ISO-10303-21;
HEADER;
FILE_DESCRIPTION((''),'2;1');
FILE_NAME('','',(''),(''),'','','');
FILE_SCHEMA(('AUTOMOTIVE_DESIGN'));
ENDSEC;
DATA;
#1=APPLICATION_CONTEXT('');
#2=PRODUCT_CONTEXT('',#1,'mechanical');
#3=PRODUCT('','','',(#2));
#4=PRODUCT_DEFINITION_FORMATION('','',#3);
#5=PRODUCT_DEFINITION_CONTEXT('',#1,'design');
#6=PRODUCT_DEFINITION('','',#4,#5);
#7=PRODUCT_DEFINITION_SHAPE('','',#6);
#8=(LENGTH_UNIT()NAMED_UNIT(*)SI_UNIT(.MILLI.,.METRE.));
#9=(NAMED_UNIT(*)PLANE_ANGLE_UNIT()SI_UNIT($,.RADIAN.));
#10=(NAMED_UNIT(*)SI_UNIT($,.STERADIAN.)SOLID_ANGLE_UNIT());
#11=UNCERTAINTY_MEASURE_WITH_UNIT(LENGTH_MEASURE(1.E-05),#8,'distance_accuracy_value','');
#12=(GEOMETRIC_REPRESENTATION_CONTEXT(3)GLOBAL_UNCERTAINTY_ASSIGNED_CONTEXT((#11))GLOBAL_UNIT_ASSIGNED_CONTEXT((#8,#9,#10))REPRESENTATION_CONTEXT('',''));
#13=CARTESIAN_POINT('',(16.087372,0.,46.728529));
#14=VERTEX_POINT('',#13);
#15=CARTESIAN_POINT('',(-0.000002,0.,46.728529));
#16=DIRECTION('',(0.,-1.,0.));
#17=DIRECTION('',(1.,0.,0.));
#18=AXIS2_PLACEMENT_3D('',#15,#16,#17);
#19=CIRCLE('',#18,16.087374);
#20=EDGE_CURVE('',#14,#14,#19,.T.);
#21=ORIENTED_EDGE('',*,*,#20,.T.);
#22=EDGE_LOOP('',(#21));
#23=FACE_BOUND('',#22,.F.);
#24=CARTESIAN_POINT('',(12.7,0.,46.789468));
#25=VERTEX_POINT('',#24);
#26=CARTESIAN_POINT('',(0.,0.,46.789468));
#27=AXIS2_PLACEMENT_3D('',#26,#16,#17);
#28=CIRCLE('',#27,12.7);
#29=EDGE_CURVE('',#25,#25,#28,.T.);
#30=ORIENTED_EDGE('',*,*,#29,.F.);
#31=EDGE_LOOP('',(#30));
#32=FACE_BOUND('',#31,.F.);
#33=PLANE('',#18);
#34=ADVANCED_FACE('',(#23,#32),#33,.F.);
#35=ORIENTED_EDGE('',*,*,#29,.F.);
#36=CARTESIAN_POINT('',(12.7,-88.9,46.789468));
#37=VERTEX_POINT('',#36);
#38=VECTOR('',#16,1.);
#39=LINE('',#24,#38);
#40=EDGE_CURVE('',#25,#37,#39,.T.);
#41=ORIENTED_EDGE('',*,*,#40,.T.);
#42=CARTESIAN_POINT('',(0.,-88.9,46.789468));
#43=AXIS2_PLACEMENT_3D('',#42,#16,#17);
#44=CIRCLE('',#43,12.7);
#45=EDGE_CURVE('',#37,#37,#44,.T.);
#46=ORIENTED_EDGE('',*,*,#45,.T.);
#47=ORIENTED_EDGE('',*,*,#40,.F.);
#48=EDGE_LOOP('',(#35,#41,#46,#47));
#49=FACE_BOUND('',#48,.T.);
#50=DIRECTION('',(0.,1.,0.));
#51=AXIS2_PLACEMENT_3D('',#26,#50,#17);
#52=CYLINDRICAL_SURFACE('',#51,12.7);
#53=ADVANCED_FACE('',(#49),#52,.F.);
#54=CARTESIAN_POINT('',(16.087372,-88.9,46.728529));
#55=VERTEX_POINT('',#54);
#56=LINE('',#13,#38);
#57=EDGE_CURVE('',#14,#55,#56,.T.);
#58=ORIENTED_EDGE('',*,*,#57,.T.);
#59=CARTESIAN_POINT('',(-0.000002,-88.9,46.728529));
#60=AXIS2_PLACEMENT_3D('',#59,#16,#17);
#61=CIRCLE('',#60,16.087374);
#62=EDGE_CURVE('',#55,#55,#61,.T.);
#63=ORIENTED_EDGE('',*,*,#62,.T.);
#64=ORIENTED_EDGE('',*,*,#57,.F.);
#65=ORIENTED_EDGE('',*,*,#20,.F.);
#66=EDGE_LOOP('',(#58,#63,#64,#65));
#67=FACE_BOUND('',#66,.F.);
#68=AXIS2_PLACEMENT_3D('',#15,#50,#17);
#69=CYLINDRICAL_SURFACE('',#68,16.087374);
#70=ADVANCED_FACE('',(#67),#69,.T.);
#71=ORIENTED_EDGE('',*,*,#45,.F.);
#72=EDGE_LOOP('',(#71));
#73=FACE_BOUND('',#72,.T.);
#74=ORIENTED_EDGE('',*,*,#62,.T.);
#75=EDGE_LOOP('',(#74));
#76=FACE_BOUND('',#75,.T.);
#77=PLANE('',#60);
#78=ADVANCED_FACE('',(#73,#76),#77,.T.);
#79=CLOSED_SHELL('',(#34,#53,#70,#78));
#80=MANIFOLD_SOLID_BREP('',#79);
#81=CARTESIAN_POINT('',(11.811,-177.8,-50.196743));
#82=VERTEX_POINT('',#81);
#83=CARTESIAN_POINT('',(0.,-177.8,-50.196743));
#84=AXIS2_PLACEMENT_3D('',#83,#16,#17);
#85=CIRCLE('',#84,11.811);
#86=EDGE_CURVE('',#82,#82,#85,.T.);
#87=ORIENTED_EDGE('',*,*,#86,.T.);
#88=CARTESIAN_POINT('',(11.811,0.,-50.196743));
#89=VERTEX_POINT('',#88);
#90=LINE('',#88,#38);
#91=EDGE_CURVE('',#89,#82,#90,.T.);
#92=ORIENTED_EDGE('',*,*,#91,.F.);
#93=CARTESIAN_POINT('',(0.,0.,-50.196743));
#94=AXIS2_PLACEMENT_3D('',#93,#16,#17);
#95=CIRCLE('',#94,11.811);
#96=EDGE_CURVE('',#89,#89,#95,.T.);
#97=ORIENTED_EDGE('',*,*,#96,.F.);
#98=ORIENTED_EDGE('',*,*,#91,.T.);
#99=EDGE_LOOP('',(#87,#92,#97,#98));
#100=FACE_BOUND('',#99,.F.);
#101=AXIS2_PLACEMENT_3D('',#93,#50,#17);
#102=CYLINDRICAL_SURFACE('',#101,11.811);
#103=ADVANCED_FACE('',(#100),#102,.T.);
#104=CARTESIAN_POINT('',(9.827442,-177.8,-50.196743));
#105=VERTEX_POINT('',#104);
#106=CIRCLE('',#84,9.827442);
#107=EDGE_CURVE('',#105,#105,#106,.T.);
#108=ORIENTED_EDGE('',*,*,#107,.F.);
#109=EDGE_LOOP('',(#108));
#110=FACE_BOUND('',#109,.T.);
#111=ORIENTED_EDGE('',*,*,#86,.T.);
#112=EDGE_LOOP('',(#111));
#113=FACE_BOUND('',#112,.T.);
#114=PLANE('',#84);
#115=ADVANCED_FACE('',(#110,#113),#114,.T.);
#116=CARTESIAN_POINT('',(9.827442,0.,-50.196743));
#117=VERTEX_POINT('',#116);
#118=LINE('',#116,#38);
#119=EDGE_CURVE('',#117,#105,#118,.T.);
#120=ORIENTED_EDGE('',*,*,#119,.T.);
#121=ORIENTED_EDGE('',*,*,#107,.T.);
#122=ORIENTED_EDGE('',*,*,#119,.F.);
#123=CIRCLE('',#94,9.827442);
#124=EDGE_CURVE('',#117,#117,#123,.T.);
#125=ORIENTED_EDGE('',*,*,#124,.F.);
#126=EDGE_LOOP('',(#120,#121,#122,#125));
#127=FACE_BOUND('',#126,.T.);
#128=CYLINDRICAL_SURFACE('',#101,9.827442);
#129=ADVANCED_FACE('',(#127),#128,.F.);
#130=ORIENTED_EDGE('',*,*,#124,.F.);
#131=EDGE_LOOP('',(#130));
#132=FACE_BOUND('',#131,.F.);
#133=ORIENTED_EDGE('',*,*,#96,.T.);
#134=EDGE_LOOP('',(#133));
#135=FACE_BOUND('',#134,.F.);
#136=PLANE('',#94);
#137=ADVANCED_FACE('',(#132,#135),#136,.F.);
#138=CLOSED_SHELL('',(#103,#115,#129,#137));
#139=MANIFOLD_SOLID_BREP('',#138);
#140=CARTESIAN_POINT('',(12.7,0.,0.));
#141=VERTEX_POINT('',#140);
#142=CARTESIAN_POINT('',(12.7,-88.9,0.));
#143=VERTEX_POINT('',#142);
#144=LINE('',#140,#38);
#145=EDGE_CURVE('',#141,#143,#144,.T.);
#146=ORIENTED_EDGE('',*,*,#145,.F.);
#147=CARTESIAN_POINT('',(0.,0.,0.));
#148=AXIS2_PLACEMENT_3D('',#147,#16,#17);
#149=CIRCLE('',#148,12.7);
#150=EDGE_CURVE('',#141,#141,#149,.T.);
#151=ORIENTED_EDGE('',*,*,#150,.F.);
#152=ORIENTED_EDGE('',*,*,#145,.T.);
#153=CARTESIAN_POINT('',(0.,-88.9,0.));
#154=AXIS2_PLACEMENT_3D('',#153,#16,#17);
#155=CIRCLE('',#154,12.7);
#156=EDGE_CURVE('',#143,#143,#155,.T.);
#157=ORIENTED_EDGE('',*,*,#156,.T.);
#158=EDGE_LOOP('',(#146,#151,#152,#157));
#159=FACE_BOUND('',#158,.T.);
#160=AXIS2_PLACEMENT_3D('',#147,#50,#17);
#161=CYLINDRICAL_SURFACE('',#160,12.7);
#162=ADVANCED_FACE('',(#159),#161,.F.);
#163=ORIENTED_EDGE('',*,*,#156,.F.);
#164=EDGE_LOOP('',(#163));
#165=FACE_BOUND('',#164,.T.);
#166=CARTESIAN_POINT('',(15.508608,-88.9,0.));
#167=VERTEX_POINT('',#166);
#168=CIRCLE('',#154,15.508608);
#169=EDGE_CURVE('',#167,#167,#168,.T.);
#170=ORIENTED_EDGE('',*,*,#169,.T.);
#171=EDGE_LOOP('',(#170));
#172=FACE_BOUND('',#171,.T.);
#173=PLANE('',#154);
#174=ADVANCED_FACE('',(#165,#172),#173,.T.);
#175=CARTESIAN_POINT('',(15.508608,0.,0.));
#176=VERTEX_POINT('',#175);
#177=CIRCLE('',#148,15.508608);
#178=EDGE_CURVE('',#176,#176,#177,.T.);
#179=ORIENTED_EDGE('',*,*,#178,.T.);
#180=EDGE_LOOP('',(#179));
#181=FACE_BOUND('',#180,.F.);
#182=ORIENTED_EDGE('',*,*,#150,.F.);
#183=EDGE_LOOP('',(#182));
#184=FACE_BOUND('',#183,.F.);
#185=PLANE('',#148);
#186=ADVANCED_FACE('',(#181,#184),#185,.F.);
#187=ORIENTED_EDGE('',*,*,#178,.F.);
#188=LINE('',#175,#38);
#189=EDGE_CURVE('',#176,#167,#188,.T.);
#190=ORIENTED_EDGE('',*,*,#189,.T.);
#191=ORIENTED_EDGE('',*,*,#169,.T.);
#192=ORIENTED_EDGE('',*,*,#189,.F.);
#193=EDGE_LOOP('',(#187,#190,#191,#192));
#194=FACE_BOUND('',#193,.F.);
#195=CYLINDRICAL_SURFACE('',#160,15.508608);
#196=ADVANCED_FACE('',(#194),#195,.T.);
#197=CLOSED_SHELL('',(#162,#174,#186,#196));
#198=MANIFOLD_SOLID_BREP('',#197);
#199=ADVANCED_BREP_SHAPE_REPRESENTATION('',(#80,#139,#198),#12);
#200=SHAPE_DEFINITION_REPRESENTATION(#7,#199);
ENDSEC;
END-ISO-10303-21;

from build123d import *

# Parameters (mm, degrees)
F0_R     = 15.508608
F0_R_2   = 12.7
F1_DEPTH = 88.9
F2_R     = 16.087374
F2_R_2   = 12.7
F3_DEPTH = 88.9
F4_R     = 11.811
F4_R_2   = 9.827442
F5_DEPTH = 177.8


with BuildPart() as f1:
    # F0 (on Front) → F1 (new body)
    with BuildSketch(Plane.XZ):
        Circle(F0_R)
        Circle(F0_R_2, mode=Mode.SUBTRACT)
    extrude(amount=F1_DEPTH)


with BuildPart() as f3:
    # F2 (on Front) → F3 (new body)
    with BuildSketch(Plane.XZ):
        with Locations((-2e-06, 46.728529)):
            Circle(F2_R)
        with Locations((0, 46.789468)):
            Circle(F2_R_2, mode=Mode.SUBTRACT)
    extrude(amount=F3_DEPTH)


with BuildPart() as f5:
    # F4 (on Front) → F5 (new body)
    with BuildSketch(Plane.XZ):
        with Locations((0, -50.196743)):
            Circle(F4_R)
        with Locations((0, -50.196743)):
            Circle(F4_R_2, mode=Mode.SUBTRACT)
    extrude(amount=F5_DEPTH)


solid = Compound([f1.part, f3.part, f5.part])
